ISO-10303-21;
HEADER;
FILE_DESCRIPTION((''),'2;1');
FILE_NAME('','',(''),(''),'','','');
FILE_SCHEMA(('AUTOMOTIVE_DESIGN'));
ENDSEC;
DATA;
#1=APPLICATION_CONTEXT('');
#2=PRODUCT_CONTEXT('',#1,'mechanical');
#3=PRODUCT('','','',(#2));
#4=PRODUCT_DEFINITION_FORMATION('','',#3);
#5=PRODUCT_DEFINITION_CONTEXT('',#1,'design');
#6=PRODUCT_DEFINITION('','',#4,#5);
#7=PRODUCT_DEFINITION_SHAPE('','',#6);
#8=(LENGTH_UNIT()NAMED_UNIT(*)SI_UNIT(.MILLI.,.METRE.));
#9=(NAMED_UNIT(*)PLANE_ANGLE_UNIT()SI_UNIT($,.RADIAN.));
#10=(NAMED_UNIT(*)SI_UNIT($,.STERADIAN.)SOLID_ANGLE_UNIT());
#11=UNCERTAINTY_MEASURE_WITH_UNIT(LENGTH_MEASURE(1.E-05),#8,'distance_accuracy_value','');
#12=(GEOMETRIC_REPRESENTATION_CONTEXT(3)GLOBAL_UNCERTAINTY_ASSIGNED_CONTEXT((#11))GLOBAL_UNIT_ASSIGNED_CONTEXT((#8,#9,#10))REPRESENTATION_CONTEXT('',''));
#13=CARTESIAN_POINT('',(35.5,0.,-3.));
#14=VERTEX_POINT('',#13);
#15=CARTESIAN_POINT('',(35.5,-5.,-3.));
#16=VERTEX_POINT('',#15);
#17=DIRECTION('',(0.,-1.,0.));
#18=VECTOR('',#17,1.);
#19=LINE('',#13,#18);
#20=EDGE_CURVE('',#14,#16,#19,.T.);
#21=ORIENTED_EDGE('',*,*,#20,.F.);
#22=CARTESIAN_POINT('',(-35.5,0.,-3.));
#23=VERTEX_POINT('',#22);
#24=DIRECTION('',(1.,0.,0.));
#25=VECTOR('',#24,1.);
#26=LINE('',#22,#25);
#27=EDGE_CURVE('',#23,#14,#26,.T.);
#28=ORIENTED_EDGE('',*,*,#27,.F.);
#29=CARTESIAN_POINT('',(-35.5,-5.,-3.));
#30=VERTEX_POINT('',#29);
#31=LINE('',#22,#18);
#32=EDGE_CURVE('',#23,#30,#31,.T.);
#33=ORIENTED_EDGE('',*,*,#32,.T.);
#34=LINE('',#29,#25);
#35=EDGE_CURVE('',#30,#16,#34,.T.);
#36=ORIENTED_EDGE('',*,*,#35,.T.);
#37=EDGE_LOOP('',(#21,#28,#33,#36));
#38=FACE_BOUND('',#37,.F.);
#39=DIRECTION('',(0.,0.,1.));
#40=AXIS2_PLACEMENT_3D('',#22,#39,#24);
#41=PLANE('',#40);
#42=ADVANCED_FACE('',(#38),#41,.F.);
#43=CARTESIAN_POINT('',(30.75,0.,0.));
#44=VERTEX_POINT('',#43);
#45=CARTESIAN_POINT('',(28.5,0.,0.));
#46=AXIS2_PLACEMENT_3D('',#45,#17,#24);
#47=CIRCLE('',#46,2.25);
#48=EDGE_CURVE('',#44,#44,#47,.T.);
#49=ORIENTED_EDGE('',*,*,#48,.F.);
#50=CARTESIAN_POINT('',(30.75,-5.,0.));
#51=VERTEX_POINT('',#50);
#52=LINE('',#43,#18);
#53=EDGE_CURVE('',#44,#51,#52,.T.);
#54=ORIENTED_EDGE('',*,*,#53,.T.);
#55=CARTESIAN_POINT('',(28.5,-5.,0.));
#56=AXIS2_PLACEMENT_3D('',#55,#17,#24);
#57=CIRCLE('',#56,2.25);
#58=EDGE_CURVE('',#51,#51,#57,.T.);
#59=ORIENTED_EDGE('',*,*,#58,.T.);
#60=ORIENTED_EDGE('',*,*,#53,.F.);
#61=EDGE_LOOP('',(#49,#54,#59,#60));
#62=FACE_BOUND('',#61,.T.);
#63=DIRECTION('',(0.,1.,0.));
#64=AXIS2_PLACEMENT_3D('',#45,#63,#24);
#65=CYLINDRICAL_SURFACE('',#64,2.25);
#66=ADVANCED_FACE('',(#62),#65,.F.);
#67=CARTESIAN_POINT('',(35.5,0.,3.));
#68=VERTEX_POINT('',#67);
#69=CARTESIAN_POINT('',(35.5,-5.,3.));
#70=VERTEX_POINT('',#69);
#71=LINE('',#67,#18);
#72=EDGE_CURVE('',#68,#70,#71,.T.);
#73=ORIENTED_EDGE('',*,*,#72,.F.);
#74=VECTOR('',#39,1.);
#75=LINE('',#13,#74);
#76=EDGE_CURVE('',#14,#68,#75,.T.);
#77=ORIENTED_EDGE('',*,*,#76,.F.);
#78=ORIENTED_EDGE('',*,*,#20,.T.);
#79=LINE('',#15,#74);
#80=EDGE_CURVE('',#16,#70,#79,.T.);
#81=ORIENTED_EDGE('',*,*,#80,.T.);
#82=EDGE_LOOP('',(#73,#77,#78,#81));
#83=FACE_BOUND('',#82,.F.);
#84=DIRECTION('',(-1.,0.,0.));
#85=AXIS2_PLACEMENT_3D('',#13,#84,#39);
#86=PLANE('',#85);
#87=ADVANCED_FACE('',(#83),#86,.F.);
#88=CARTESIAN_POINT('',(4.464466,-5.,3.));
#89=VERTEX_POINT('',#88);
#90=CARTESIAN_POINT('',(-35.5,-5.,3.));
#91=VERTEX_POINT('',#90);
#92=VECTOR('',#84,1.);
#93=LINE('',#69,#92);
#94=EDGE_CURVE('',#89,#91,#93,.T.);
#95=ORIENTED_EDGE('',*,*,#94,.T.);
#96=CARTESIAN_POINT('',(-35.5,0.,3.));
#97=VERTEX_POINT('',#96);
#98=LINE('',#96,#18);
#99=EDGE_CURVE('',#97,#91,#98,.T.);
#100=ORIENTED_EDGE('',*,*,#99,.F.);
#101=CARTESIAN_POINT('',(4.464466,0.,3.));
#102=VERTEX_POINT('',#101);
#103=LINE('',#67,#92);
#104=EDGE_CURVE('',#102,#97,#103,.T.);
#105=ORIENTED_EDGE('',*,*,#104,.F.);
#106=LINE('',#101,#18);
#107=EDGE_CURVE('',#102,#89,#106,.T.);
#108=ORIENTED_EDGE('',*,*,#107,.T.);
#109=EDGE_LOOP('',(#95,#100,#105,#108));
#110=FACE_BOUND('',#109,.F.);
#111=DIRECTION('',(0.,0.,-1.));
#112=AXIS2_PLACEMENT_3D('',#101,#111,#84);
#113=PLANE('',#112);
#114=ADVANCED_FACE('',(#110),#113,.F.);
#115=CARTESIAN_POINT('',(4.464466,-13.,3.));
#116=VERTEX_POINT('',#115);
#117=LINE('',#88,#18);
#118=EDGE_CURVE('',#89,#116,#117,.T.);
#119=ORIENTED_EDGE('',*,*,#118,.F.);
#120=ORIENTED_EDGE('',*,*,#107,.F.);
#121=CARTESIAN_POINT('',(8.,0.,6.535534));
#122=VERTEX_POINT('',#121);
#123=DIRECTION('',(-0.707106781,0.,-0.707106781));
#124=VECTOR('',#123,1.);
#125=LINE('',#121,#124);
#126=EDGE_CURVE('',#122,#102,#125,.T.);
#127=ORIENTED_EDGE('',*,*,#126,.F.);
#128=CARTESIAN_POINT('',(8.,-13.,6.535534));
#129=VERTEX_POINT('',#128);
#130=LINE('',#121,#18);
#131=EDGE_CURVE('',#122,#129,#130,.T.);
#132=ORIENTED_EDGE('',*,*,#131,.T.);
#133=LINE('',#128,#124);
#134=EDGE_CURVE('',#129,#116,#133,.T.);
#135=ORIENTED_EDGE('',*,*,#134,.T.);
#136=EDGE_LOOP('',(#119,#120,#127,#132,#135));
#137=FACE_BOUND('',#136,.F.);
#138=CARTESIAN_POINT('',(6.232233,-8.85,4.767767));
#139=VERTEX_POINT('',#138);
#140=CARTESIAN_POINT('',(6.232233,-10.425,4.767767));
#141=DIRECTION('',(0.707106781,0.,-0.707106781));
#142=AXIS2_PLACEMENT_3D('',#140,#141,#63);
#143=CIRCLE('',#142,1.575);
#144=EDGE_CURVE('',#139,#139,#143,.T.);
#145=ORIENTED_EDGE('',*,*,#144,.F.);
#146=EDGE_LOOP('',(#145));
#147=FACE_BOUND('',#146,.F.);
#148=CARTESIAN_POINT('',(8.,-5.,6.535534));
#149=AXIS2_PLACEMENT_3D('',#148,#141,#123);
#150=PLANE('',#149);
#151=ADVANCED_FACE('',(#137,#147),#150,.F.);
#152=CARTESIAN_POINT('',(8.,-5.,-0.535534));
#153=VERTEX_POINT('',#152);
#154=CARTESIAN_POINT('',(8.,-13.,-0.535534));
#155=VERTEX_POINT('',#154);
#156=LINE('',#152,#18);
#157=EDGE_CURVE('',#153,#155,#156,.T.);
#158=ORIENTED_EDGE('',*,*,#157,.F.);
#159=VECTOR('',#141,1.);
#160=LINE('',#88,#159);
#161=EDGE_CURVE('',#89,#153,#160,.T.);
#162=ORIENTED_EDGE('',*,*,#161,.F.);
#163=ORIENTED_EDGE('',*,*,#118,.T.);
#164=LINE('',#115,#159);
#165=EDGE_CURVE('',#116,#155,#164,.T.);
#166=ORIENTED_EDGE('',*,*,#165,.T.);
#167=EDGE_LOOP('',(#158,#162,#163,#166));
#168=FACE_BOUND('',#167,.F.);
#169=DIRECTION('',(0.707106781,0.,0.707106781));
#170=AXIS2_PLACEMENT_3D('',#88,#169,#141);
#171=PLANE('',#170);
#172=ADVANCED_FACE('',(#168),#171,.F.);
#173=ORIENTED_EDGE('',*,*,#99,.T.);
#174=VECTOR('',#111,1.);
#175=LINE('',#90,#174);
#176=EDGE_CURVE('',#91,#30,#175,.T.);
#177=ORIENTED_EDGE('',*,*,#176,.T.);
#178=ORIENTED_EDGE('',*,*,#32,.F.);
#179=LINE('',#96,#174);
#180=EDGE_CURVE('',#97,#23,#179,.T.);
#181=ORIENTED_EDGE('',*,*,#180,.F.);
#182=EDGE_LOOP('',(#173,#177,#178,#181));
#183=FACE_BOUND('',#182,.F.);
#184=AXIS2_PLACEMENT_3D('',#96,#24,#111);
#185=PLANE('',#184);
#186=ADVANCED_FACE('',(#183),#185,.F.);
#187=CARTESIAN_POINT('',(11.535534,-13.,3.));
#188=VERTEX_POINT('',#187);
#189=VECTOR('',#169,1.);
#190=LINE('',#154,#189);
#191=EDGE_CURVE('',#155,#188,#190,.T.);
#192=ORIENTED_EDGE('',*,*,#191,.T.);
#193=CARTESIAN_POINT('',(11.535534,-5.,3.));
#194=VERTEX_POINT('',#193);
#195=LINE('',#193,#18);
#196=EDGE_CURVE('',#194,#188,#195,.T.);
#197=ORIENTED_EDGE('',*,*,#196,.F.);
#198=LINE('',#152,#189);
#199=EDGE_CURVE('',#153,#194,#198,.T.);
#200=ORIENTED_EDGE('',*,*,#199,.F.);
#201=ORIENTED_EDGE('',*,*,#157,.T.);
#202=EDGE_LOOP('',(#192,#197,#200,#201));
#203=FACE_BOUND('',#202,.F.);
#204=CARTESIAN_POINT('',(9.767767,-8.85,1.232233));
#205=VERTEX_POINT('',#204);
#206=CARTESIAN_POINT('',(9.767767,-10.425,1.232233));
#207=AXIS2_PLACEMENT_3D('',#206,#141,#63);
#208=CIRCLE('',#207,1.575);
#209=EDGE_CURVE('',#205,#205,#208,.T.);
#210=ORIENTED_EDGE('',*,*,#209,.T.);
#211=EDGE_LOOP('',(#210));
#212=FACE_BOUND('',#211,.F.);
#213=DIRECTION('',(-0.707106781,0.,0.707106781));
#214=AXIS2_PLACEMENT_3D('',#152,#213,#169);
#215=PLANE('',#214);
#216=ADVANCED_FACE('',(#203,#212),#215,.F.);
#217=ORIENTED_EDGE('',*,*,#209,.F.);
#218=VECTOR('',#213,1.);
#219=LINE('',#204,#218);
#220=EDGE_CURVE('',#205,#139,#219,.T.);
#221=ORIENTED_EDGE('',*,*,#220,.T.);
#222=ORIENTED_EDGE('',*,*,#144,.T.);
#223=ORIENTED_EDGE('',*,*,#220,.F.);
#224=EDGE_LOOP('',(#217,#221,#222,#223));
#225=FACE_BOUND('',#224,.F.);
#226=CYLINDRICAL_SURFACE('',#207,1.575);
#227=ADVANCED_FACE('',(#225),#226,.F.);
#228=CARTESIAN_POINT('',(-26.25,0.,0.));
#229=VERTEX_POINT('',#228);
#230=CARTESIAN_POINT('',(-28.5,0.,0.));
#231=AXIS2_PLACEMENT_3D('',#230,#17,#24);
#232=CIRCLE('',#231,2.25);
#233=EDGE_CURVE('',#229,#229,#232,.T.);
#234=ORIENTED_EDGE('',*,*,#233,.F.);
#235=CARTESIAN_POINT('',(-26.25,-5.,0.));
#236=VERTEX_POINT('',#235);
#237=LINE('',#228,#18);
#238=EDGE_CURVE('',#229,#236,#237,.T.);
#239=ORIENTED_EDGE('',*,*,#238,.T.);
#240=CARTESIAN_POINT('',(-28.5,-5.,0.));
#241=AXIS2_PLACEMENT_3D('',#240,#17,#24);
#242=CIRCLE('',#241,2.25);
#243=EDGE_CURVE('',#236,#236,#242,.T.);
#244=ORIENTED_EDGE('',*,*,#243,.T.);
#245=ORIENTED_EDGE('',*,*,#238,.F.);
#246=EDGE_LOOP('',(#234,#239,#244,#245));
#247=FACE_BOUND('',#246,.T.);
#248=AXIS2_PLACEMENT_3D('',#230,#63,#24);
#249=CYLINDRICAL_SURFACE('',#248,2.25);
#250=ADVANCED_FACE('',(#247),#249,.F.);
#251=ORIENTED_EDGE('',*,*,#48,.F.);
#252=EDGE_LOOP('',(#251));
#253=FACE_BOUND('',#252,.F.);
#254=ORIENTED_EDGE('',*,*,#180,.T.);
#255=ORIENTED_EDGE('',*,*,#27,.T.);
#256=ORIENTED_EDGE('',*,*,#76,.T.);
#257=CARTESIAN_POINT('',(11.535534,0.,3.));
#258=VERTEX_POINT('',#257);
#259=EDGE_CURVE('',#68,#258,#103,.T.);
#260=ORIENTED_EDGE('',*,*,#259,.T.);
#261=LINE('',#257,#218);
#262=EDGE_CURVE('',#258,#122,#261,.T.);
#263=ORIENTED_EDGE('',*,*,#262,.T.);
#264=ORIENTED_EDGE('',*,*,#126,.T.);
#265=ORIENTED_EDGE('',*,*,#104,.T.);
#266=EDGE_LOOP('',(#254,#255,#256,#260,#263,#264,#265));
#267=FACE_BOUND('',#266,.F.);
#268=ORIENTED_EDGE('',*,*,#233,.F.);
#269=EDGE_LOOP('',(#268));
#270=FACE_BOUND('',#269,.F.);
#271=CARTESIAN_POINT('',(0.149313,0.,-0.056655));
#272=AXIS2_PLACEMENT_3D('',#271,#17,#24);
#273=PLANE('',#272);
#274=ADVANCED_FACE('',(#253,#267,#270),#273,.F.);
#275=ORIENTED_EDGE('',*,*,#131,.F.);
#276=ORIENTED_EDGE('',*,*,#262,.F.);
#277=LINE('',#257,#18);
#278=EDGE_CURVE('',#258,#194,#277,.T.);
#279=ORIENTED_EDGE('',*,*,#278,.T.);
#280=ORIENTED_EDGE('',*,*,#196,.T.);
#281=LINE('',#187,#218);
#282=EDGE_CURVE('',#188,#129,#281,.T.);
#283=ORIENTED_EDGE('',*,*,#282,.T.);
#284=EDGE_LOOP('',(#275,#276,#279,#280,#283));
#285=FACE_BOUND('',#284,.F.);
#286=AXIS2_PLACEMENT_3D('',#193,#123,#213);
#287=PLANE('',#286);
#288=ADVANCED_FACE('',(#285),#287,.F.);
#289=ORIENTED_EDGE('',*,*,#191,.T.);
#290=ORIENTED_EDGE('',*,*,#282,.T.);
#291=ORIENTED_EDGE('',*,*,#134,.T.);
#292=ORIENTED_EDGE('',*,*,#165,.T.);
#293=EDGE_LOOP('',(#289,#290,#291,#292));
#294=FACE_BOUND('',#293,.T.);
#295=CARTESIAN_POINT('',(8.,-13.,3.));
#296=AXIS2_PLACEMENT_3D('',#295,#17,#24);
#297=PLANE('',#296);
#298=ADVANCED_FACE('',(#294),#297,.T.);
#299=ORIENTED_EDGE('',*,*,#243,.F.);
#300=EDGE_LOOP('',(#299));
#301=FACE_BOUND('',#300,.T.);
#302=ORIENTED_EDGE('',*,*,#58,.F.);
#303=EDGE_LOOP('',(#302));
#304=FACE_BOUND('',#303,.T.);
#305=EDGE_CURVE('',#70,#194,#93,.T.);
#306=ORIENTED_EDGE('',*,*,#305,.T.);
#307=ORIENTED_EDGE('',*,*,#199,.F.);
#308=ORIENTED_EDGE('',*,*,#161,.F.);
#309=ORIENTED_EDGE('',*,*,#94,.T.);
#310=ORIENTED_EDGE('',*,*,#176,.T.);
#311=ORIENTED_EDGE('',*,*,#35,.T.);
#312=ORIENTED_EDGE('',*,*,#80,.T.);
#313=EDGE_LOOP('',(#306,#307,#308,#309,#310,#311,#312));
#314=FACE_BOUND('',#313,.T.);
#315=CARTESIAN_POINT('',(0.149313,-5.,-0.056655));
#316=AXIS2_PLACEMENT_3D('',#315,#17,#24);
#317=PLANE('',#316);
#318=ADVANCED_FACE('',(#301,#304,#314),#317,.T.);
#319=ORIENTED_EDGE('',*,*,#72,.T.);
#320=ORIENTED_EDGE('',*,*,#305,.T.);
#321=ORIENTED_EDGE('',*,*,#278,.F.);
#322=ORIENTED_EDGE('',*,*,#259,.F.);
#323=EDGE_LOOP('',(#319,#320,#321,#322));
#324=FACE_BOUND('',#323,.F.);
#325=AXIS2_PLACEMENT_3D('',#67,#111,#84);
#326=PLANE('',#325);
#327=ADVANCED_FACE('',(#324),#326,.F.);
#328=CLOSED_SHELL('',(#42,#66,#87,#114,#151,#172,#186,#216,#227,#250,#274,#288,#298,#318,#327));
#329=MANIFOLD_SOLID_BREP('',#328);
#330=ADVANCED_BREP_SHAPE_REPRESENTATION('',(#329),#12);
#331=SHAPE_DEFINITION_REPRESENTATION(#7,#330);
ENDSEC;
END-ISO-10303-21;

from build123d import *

# Parameters (mm, degrees)
F0_R     = 2.25
F1_DEPTH = 5
F3_DEPTH = 8
F4_R     = 1.575
F5_DEPTH = 35.7601449816


with BuildPart() as f1:
    # F0 (on Front) → F1 (new body)
    with BuildSketch(Plane.XZ):
        Polygon((35.5, -3), (35.5, 3), (11.5355339059, 3), (8, -0.5355339059), (4.4644660941, 3), (-35.5, 3), (-35.5, -3), align=None)
        with Locations((-28.5, 0)):
            Circle(F0_R, mode=Mode.SUBTRACT)
        with Locations((28.5, 0)):
            Circle(F0_R, mode=Mode.SUBTRACT)
        Polygon((8, -0.5355339059), (11.5355339059, 3), (4.4644660941, 3), align=None)
        Polygon((4.4644660941, 3), (11.5355339059, 3), (8, 6.5355339059), align=None)
    extrude(amount=F1_DEPTH)

    # F2 (on face) → F3 (join)
    with BuildSketch(Plane.XZ.offset(5)):
        Polygon((11.5355339059, 3), (8, 6.5355339059), (4.4644660941, 3), (8, -0.5355339059), align=None)
    extrude(amount=F3_DEPTH)

    # F4 (on face) → F5 (cut, through all)
    with BuildSketch(Plane(origin=(4.267766953, 0, -4.267766953), x_dir=(0, 1, 0), z_dir=(0.7071067812, 0, -0.7071067812))):
        with Locations((-10.425, 7.7781745931)):
            Circle(F4_R)
    extrude(amount=-F5_DEPTH, mode=Mode.SUBTRACT)


solid = f1.part
